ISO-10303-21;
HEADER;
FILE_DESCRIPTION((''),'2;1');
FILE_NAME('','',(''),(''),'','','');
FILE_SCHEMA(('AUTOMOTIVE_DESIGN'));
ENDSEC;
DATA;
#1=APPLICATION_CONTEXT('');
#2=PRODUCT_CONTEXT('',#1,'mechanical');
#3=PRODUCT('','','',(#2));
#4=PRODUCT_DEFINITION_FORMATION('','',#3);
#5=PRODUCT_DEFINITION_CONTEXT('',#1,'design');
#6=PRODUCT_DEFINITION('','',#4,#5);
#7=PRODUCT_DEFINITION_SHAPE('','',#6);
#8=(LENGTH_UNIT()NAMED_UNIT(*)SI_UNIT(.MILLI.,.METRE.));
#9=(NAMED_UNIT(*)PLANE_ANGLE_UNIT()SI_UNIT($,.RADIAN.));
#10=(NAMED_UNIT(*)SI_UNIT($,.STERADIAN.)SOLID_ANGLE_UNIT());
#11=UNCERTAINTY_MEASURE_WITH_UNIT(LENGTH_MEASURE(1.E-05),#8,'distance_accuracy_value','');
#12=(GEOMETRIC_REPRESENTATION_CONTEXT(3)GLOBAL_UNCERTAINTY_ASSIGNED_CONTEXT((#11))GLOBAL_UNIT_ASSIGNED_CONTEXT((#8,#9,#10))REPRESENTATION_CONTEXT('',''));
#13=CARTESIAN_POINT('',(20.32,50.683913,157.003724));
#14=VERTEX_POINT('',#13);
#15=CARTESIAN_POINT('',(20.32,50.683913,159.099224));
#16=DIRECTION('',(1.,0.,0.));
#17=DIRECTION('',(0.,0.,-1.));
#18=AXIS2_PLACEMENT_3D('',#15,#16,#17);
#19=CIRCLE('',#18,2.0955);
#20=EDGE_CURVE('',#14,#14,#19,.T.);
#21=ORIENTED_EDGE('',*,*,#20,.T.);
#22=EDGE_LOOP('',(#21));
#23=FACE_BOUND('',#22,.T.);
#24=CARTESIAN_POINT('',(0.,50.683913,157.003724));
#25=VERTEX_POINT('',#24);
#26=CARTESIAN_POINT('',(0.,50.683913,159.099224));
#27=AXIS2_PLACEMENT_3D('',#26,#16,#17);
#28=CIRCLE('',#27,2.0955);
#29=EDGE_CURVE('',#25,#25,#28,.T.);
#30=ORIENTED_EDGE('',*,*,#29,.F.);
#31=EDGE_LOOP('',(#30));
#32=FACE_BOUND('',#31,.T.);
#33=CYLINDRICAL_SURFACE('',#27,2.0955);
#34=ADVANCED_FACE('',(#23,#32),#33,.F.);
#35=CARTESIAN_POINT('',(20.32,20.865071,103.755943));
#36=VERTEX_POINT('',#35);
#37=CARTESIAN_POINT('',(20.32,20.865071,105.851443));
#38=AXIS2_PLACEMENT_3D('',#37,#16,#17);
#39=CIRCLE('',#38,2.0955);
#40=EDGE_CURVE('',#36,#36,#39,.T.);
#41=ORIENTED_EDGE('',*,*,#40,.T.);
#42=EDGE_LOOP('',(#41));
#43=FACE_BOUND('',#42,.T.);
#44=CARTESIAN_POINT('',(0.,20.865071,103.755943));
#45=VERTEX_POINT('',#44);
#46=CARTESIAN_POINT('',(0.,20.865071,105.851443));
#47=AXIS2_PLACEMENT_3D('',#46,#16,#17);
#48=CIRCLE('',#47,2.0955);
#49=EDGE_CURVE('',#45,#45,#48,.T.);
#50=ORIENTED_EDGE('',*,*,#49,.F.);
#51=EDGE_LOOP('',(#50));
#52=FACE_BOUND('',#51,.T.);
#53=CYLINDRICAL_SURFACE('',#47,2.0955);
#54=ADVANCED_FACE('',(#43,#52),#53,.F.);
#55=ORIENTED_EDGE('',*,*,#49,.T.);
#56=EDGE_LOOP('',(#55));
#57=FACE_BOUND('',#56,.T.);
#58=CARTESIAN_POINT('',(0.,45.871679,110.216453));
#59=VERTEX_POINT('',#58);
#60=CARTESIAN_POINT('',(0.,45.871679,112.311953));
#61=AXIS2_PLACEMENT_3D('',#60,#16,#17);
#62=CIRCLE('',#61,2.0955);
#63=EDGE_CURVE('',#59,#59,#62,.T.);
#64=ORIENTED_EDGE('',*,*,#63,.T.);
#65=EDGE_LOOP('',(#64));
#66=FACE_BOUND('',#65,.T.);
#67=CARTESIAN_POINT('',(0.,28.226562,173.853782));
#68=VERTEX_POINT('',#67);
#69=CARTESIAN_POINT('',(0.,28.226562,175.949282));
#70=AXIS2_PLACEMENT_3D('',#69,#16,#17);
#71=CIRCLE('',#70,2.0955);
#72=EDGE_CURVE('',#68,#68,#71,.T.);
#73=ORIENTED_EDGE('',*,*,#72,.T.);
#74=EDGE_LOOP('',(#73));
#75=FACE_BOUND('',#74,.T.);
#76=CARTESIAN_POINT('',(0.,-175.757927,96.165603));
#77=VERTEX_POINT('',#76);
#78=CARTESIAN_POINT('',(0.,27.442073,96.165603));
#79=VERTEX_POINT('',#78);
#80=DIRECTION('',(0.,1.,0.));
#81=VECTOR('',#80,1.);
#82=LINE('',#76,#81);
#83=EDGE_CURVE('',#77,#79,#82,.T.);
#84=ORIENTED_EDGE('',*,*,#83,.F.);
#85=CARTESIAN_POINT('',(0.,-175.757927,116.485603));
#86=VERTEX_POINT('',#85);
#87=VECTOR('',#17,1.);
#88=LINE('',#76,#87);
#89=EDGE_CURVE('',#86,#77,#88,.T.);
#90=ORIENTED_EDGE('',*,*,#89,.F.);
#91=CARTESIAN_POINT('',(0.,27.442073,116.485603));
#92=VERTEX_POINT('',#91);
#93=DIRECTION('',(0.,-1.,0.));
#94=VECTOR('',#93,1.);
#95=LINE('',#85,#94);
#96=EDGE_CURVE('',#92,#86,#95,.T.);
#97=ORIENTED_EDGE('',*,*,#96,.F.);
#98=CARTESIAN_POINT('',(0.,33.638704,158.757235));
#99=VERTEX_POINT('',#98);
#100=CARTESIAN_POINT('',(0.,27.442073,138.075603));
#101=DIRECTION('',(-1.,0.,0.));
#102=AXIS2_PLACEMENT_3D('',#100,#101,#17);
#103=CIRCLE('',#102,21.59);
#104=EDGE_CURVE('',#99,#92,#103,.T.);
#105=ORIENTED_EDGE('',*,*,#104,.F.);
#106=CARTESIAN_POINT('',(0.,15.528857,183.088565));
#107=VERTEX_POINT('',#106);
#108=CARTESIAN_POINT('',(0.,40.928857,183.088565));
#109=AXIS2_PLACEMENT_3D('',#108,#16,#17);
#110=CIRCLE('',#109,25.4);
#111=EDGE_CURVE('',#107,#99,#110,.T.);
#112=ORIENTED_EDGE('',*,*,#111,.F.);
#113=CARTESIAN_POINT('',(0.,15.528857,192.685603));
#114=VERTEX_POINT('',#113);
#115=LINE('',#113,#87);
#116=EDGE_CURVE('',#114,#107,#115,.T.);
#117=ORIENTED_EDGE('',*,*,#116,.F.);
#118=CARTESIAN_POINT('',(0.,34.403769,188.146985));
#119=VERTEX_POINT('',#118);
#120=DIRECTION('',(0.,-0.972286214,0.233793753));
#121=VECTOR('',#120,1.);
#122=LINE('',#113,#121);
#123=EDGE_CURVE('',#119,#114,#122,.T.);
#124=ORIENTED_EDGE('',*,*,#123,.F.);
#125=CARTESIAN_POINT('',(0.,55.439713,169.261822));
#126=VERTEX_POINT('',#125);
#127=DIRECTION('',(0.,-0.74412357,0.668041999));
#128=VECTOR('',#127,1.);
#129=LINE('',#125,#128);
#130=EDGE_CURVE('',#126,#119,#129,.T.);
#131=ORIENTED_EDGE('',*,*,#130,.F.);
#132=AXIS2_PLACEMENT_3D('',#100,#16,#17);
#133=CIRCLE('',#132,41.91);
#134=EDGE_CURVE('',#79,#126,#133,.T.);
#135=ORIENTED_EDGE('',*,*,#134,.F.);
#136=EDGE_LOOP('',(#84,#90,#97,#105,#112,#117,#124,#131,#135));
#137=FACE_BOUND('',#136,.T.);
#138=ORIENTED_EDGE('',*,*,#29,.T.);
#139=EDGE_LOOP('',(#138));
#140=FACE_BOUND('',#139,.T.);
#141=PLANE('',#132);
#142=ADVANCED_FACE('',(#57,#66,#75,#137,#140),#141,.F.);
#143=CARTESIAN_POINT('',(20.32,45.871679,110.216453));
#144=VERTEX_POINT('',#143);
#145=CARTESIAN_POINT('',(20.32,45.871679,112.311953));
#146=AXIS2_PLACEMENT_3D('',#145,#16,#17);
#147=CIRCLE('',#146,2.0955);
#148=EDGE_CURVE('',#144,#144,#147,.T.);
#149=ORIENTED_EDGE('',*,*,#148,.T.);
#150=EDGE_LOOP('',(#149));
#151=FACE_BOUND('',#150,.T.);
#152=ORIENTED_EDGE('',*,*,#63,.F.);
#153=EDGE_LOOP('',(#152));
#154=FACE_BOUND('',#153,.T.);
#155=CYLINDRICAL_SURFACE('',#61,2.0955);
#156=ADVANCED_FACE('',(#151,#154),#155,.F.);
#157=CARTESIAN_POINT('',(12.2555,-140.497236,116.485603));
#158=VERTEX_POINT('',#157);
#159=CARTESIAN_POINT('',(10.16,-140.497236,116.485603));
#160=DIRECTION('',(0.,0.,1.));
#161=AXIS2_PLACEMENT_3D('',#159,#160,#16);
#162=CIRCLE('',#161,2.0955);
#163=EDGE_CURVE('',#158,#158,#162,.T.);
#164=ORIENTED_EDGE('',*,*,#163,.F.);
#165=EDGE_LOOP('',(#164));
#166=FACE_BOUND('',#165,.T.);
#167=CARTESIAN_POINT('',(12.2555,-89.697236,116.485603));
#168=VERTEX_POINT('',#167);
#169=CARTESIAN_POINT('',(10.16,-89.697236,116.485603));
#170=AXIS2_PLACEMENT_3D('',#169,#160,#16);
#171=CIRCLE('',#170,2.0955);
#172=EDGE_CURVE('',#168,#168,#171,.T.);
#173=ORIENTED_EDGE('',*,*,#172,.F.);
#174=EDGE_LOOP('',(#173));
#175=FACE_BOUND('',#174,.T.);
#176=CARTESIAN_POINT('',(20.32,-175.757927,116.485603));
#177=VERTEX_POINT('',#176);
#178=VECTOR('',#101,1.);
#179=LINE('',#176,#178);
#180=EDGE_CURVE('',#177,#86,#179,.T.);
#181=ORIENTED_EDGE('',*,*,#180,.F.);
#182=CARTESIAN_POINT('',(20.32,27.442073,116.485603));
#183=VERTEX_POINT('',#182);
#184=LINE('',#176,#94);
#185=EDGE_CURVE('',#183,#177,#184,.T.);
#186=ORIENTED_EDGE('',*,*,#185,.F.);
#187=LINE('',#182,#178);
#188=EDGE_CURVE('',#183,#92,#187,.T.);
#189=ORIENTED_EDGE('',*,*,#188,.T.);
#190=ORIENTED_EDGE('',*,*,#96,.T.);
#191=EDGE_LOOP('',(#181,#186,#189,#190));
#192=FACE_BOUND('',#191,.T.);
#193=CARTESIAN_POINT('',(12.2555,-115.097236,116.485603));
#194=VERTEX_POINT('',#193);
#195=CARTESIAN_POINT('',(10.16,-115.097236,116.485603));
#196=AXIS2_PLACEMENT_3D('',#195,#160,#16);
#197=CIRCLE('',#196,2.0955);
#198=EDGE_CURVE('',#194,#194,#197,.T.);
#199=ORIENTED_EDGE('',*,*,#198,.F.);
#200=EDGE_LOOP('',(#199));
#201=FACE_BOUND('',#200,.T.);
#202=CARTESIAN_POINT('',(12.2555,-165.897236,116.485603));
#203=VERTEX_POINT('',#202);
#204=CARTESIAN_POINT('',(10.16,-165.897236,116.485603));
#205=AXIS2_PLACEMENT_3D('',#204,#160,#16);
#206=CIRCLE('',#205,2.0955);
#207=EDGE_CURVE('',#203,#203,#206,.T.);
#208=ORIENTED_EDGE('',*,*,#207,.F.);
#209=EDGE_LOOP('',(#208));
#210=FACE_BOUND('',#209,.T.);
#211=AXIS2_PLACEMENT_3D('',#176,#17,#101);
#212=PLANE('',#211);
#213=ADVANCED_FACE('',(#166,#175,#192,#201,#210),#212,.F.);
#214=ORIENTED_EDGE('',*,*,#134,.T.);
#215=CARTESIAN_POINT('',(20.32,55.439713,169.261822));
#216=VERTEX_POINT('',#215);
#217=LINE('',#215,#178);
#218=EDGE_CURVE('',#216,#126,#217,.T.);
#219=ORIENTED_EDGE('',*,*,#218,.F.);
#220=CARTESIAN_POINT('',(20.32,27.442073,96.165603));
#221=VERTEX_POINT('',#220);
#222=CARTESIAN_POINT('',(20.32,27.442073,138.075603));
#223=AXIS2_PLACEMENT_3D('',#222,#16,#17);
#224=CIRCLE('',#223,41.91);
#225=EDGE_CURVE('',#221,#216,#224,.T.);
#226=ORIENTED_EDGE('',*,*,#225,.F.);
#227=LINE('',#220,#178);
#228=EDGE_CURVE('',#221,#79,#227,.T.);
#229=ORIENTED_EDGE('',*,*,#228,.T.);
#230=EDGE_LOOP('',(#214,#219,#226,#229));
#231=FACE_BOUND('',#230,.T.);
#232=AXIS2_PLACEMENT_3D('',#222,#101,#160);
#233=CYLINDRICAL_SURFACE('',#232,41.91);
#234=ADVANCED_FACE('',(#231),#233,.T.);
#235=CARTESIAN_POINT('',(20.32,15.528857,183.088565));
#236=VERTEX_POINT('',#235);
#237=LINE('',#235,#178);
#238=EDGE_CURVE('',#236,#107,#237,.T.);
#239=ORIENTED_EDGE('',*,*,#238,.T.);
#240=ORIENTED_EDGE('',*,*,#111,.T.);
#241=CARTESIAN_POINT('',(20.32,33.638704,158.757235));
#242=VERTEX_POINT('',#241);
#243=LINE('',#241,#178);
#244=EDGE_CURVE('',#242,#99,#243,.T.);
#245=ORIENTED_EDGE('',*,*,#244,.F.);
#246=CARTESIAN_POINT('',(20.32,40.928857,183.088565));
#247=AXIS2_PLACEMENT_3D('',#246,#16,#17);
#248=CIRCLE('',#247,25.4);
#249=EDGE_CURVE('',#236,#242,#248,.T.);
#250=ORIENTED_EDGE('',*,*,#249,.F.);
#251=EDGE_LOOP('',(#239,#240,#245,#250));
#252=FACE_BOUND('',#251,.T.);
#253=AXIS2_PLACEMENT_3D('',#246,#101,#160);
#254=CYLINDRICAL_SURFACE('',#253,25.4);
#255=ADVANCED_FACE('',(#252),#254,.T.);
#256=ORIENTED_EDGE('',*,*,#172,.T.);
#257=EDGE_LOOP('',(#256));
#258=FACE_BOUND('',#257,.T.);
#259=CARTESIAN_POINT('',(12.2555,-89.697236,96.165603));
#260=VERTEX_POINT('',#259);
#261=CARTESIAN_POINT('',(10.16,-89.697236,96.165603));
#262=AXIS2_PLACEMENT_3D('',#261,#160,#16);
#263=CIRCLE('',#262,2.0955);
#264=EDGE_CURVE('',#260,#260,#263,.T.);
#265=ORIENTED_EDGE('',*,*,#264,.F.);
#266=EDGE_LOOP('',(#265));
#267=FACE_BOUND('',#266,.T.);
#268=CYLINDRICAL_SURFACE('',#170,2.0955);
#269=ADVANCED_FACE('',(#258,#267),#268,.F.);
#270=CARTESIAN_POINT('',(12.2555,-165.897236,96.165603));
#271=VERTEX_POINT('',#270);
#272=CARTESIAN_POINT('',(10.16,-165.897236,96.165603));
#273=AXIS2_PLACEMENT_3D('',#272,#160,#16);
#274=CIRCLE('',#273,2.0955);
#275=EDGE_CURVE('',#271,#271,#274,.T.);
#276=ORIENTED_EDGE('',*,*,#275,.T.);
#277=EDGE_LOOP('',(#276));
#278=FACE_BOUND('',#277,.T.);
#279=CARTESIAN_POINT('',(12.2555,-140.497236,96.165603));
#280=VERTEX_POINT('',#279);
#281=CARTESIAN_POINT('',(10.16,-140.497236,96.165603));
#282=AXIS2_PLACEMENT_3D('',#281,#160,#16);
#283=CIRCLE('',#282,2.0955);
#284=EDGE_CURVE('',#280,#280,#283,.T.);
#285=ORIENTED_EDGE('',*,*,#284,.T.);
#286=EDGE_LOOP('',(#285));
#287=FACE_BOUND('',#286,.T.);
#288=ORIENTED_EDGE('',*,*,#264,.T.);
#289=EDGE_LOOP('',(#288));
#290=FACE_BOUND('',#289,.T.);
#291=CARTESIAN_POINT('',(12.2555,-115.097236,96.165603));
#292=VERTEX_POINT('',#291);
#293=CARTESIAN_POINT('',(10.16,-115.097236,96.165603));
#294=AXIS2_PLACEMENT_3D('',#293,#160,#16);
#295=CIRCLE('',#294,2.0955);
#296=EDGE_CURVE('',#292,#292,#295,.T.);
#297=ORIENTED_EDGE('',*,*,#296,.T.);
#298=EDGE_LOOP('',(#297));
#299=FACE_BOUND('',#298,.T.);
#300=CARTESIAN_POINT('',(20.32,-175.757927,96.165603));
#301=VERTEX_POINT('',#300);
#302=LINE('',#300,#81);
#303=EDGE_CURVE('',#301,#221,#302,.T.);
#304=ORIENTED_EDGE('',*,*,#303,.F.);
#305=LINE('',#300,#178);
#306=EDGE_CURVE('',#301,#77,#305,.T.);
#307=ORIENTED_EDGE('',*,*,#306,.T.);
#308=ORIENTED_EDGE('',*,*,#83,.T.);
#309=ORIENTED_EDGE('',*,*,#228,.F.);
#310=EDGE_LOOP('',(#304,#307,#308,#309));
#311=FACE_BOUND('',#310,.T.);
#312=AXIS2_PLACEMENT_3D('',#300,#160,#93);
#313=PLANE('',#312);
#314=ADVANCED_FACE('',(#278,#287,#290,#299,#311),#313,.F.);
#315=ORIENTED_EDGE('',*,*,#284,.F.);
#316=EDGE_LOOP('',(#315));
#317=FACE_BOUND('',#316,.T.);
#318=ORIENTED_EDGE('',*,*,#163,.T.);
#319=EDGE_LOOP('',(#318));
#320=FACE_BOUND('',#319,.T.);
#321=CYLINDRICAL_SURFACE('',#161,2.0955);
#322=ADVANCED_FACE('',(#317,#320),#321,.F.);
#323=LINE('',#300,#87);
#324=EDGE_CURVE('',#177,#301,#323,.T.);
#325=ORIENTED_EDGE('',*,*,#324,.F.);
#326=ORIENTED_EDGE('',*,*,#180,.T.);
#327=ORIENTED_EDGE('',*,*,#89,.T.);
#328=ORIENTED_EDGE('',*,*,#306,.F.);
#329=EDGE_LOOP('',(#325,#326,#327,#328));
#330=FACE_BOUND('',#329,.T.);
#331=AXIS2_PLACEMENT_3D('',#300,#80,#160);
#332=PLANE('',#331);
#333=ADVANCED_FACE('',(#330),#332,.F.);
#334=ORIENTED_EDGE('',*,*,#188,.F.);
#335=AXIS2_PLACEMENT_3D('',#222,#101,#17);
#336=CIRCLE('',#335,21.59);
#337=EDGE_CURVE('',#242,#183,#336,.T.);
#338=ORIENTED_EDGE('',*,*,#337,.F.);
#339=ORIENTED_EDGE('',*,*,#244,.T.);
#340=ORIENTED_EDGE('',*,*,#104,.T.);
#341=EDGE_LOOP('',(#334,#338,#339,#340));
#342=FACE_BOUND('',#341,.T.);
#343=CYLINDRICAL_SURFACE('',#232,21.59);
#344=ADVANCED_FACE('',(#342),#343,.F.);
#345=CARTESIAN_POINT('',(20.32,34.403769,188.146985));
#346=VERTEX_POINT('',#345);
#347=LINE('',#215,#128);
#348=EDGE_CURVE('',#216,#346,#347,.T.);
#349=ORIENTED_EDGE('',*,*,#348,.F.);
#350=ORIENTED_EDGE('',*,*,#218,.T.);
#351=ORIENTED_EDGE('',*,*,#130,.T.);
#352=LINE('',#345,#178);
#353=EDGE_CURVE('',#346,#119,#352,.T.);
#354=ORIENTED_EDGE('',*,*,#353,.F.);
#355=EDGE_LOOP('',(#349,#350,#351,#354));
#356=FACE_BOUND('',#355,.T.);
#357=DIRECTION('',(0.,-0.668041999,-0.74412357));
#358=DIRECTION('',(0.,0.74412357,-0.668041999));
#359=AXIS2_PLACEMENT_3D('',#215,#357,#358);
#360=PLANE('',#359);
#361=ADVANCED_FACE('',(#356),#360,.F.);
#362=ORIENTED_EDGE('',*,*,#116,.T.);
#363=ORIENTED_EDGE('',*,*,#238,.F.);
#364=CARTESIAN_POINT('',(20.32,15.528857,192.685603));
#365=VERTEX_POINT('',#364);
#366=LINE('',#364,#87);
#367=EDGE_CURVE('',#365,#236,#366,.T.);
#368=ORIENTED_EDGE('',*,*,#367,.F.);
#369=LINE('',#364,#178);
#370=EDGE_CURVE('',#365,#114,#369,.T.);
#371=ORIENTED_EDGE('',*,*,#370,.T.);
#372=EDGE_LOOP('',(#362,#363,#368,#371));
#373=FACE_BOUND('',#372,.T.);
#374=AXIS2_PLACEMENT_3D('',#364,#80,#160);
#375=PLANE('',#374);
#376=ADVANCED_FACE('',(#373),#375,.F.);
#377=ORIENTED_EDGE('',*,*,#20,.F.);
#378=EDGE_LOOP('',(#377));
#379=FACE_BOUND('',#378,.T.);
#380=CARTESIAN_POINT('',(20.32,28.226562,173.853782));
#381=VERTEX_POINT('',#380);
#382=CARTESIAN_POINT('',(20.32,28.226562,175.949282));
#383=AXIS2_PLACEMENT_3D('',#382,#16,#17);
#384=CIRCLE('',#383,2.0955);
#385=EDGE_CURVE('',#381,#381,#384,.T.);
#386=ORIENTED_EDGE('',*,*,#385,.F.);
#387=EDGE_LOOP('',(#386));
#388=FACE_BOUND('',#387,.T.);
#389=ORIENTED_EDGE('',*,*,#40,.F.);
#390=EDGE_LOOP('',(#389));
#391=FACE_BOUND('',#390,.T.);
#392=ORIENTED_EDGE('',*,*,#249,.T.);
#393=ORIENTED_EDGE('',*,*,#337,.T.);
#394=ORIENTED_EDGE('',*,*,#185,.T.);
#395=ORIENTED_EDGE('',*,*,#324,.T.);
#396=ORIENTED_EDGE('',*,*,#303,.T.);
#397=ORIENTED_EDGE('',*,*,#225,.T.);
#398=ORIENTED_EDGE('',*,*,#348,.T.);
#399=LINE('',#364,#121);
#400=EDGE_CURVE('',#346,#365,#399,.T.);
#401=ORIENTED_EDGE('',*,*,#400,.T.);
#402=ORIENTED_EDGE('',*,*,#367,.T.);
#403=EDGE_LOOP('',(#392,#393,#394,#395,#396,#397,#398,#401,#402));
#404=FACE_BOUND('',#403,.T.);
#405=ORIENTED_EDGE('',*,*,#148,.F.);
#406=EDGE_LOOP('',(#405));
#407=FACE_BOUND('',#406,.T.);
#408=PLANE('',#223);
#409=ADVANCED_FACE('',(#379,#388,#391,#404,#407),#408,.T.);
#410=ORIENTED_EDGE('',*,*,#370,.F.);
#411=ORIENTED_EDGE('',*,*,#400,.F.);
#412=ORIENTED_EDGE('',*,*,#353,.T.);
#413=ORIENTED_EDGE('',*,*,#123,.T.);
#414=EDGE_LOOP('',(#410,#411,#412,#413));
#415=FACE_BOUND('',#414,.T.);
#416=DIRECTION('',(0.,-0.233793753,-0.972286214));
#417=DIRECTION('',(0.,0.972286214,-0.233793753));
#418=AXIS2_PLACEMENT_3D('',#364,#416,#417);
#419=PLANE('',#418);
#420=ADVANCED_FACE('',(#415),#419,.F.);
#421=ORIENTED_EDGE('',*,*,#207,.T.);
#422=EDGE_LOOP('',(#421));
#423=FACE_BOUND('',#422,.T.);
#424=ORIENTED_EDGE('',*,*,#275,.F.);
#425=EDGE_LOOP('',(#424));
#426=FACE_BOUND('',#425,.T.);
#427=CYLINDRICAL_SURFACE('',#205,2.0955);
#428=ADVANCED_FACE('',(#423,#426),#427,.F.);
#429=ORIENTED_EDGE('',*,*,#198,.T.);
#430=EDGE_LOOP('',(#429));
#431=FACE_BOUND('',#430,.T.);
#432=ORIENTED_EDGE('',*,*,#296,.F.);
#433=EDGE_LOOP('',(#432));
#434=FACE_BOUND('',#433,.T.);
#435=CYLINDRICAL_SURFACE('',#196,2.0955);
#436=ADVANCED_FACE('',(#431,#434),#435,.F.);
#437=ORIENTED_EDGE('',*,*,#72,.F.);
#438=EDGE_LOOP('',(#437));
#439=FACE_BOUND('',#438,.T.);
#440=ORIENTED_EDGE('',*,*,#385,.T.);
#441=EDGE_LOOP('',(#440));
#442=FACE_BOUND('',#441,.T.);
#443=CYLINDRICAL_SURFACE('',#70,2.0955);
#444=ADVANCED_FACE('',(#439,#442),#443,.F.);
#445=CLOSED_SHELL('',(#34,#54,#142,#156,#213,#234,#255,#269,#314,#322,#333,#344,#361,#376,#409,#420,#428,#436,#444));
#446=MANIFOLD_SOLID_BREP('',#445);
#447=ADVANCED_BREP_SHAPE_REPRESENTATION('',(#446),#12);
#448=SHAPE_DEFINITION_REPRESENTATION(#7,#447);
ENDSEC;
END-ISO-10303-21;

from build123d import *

# Parameters (mm, degrees)
BOSS_EXTRUDE1_DEPTH        = 20.32
F_8_0_199_DIAMETER_HOLE1_D = 4.191
CUT_EXTRUDE1_DEPTH         = 262.594137913
CUT_EXTRUDE1_DEPTH_BACK    = 262.594137913
SKETCH4_R                  = 2.0955


with BuildPart() as part:
    # Sketch1 → Boss-Extrude1 (new body)
    with BuildSketch(Plane(origin=(0, 0, 0), x_dir=(0, 0, -1), z_dir=(1, 0, 0))):
        with BuildLine():
            Line((-96.165603327, -175.75792688), (-116.485603327, -175.75792688))
            Line((-116.485603327, -175.75792688), (-116.485603327, 27.44207312))
            ThreePointArc((-116.485603327, 27.44207312), (-134.944175413, 48.803773877), (-158.757234566, 33.6387036))
            ThreePointArc((-158.757234566, 33.6387036), (-167.922977729, 20.553260194), (-183.088565435, 15.528857106))
            Line((-183.088565435, 15.528857106), (-192.685603327, 15.528857106))
            Line((-192.685603327, 15.528857106), (-188.14698461, 34.403768669))
            Line((-188.14698461, 34.403768669), (-169.26182214, 55.43971331))
            ThreePointArc((-169.26182214, 55.43971331), (-123.085045139, 66.579411625), (-96.165603327, 27.44207312))
            Line((-96.165603327, 27.44207312), (-96.165603327, -175.75792688))
        make_face()
    extrude(amount=BOSS_EXTRUDE1_DEPTH)

    # #8 (0.199) Diameter Hole1 (through all)
    with Locations(Plane.XY.offset(116.485603327)):
        with Locations((10.16, -89.697235998), (10.16, -115.097235998), (10.16, -140.497235998), (10.16, -165.897235998), (10.16, -191.297235998)):
            Hole(F_8_0_199_DIAMETER_HOLE1_D / 2)

    # Sketch4 → Cut-Extrude1 (cut, two sides: drawn at the far end of the back side and taken through both)
    with BuildSketch(Plane(origin=(20.32, 0, 0), x_dir=(0, 0, -1), z_dir=(1, 0, 0)).offset(-CUT_EXTRUDE1_DEPTH_BACK)):
        with Locations((-175.949281774, 28.226562255)):
            Circle(SKETCH4_R)
        with Locations((-159.099223615, 50.683912634)):
            Circle(SKETCH4_R)
        with Locations((-112.3119526, 45.871678806)):
            Circle(SKETCH4_R)
        with Locations((-105.851443143, 20.865071419)):
            Circle(SKETCH4_R)
    extrude(amount=CUT_EXTRUDE1_DEPTH + CUT_EXTRUDE1_DEPTH_BACK, mode=Mode.SUBTRACT)


solid = part.part
